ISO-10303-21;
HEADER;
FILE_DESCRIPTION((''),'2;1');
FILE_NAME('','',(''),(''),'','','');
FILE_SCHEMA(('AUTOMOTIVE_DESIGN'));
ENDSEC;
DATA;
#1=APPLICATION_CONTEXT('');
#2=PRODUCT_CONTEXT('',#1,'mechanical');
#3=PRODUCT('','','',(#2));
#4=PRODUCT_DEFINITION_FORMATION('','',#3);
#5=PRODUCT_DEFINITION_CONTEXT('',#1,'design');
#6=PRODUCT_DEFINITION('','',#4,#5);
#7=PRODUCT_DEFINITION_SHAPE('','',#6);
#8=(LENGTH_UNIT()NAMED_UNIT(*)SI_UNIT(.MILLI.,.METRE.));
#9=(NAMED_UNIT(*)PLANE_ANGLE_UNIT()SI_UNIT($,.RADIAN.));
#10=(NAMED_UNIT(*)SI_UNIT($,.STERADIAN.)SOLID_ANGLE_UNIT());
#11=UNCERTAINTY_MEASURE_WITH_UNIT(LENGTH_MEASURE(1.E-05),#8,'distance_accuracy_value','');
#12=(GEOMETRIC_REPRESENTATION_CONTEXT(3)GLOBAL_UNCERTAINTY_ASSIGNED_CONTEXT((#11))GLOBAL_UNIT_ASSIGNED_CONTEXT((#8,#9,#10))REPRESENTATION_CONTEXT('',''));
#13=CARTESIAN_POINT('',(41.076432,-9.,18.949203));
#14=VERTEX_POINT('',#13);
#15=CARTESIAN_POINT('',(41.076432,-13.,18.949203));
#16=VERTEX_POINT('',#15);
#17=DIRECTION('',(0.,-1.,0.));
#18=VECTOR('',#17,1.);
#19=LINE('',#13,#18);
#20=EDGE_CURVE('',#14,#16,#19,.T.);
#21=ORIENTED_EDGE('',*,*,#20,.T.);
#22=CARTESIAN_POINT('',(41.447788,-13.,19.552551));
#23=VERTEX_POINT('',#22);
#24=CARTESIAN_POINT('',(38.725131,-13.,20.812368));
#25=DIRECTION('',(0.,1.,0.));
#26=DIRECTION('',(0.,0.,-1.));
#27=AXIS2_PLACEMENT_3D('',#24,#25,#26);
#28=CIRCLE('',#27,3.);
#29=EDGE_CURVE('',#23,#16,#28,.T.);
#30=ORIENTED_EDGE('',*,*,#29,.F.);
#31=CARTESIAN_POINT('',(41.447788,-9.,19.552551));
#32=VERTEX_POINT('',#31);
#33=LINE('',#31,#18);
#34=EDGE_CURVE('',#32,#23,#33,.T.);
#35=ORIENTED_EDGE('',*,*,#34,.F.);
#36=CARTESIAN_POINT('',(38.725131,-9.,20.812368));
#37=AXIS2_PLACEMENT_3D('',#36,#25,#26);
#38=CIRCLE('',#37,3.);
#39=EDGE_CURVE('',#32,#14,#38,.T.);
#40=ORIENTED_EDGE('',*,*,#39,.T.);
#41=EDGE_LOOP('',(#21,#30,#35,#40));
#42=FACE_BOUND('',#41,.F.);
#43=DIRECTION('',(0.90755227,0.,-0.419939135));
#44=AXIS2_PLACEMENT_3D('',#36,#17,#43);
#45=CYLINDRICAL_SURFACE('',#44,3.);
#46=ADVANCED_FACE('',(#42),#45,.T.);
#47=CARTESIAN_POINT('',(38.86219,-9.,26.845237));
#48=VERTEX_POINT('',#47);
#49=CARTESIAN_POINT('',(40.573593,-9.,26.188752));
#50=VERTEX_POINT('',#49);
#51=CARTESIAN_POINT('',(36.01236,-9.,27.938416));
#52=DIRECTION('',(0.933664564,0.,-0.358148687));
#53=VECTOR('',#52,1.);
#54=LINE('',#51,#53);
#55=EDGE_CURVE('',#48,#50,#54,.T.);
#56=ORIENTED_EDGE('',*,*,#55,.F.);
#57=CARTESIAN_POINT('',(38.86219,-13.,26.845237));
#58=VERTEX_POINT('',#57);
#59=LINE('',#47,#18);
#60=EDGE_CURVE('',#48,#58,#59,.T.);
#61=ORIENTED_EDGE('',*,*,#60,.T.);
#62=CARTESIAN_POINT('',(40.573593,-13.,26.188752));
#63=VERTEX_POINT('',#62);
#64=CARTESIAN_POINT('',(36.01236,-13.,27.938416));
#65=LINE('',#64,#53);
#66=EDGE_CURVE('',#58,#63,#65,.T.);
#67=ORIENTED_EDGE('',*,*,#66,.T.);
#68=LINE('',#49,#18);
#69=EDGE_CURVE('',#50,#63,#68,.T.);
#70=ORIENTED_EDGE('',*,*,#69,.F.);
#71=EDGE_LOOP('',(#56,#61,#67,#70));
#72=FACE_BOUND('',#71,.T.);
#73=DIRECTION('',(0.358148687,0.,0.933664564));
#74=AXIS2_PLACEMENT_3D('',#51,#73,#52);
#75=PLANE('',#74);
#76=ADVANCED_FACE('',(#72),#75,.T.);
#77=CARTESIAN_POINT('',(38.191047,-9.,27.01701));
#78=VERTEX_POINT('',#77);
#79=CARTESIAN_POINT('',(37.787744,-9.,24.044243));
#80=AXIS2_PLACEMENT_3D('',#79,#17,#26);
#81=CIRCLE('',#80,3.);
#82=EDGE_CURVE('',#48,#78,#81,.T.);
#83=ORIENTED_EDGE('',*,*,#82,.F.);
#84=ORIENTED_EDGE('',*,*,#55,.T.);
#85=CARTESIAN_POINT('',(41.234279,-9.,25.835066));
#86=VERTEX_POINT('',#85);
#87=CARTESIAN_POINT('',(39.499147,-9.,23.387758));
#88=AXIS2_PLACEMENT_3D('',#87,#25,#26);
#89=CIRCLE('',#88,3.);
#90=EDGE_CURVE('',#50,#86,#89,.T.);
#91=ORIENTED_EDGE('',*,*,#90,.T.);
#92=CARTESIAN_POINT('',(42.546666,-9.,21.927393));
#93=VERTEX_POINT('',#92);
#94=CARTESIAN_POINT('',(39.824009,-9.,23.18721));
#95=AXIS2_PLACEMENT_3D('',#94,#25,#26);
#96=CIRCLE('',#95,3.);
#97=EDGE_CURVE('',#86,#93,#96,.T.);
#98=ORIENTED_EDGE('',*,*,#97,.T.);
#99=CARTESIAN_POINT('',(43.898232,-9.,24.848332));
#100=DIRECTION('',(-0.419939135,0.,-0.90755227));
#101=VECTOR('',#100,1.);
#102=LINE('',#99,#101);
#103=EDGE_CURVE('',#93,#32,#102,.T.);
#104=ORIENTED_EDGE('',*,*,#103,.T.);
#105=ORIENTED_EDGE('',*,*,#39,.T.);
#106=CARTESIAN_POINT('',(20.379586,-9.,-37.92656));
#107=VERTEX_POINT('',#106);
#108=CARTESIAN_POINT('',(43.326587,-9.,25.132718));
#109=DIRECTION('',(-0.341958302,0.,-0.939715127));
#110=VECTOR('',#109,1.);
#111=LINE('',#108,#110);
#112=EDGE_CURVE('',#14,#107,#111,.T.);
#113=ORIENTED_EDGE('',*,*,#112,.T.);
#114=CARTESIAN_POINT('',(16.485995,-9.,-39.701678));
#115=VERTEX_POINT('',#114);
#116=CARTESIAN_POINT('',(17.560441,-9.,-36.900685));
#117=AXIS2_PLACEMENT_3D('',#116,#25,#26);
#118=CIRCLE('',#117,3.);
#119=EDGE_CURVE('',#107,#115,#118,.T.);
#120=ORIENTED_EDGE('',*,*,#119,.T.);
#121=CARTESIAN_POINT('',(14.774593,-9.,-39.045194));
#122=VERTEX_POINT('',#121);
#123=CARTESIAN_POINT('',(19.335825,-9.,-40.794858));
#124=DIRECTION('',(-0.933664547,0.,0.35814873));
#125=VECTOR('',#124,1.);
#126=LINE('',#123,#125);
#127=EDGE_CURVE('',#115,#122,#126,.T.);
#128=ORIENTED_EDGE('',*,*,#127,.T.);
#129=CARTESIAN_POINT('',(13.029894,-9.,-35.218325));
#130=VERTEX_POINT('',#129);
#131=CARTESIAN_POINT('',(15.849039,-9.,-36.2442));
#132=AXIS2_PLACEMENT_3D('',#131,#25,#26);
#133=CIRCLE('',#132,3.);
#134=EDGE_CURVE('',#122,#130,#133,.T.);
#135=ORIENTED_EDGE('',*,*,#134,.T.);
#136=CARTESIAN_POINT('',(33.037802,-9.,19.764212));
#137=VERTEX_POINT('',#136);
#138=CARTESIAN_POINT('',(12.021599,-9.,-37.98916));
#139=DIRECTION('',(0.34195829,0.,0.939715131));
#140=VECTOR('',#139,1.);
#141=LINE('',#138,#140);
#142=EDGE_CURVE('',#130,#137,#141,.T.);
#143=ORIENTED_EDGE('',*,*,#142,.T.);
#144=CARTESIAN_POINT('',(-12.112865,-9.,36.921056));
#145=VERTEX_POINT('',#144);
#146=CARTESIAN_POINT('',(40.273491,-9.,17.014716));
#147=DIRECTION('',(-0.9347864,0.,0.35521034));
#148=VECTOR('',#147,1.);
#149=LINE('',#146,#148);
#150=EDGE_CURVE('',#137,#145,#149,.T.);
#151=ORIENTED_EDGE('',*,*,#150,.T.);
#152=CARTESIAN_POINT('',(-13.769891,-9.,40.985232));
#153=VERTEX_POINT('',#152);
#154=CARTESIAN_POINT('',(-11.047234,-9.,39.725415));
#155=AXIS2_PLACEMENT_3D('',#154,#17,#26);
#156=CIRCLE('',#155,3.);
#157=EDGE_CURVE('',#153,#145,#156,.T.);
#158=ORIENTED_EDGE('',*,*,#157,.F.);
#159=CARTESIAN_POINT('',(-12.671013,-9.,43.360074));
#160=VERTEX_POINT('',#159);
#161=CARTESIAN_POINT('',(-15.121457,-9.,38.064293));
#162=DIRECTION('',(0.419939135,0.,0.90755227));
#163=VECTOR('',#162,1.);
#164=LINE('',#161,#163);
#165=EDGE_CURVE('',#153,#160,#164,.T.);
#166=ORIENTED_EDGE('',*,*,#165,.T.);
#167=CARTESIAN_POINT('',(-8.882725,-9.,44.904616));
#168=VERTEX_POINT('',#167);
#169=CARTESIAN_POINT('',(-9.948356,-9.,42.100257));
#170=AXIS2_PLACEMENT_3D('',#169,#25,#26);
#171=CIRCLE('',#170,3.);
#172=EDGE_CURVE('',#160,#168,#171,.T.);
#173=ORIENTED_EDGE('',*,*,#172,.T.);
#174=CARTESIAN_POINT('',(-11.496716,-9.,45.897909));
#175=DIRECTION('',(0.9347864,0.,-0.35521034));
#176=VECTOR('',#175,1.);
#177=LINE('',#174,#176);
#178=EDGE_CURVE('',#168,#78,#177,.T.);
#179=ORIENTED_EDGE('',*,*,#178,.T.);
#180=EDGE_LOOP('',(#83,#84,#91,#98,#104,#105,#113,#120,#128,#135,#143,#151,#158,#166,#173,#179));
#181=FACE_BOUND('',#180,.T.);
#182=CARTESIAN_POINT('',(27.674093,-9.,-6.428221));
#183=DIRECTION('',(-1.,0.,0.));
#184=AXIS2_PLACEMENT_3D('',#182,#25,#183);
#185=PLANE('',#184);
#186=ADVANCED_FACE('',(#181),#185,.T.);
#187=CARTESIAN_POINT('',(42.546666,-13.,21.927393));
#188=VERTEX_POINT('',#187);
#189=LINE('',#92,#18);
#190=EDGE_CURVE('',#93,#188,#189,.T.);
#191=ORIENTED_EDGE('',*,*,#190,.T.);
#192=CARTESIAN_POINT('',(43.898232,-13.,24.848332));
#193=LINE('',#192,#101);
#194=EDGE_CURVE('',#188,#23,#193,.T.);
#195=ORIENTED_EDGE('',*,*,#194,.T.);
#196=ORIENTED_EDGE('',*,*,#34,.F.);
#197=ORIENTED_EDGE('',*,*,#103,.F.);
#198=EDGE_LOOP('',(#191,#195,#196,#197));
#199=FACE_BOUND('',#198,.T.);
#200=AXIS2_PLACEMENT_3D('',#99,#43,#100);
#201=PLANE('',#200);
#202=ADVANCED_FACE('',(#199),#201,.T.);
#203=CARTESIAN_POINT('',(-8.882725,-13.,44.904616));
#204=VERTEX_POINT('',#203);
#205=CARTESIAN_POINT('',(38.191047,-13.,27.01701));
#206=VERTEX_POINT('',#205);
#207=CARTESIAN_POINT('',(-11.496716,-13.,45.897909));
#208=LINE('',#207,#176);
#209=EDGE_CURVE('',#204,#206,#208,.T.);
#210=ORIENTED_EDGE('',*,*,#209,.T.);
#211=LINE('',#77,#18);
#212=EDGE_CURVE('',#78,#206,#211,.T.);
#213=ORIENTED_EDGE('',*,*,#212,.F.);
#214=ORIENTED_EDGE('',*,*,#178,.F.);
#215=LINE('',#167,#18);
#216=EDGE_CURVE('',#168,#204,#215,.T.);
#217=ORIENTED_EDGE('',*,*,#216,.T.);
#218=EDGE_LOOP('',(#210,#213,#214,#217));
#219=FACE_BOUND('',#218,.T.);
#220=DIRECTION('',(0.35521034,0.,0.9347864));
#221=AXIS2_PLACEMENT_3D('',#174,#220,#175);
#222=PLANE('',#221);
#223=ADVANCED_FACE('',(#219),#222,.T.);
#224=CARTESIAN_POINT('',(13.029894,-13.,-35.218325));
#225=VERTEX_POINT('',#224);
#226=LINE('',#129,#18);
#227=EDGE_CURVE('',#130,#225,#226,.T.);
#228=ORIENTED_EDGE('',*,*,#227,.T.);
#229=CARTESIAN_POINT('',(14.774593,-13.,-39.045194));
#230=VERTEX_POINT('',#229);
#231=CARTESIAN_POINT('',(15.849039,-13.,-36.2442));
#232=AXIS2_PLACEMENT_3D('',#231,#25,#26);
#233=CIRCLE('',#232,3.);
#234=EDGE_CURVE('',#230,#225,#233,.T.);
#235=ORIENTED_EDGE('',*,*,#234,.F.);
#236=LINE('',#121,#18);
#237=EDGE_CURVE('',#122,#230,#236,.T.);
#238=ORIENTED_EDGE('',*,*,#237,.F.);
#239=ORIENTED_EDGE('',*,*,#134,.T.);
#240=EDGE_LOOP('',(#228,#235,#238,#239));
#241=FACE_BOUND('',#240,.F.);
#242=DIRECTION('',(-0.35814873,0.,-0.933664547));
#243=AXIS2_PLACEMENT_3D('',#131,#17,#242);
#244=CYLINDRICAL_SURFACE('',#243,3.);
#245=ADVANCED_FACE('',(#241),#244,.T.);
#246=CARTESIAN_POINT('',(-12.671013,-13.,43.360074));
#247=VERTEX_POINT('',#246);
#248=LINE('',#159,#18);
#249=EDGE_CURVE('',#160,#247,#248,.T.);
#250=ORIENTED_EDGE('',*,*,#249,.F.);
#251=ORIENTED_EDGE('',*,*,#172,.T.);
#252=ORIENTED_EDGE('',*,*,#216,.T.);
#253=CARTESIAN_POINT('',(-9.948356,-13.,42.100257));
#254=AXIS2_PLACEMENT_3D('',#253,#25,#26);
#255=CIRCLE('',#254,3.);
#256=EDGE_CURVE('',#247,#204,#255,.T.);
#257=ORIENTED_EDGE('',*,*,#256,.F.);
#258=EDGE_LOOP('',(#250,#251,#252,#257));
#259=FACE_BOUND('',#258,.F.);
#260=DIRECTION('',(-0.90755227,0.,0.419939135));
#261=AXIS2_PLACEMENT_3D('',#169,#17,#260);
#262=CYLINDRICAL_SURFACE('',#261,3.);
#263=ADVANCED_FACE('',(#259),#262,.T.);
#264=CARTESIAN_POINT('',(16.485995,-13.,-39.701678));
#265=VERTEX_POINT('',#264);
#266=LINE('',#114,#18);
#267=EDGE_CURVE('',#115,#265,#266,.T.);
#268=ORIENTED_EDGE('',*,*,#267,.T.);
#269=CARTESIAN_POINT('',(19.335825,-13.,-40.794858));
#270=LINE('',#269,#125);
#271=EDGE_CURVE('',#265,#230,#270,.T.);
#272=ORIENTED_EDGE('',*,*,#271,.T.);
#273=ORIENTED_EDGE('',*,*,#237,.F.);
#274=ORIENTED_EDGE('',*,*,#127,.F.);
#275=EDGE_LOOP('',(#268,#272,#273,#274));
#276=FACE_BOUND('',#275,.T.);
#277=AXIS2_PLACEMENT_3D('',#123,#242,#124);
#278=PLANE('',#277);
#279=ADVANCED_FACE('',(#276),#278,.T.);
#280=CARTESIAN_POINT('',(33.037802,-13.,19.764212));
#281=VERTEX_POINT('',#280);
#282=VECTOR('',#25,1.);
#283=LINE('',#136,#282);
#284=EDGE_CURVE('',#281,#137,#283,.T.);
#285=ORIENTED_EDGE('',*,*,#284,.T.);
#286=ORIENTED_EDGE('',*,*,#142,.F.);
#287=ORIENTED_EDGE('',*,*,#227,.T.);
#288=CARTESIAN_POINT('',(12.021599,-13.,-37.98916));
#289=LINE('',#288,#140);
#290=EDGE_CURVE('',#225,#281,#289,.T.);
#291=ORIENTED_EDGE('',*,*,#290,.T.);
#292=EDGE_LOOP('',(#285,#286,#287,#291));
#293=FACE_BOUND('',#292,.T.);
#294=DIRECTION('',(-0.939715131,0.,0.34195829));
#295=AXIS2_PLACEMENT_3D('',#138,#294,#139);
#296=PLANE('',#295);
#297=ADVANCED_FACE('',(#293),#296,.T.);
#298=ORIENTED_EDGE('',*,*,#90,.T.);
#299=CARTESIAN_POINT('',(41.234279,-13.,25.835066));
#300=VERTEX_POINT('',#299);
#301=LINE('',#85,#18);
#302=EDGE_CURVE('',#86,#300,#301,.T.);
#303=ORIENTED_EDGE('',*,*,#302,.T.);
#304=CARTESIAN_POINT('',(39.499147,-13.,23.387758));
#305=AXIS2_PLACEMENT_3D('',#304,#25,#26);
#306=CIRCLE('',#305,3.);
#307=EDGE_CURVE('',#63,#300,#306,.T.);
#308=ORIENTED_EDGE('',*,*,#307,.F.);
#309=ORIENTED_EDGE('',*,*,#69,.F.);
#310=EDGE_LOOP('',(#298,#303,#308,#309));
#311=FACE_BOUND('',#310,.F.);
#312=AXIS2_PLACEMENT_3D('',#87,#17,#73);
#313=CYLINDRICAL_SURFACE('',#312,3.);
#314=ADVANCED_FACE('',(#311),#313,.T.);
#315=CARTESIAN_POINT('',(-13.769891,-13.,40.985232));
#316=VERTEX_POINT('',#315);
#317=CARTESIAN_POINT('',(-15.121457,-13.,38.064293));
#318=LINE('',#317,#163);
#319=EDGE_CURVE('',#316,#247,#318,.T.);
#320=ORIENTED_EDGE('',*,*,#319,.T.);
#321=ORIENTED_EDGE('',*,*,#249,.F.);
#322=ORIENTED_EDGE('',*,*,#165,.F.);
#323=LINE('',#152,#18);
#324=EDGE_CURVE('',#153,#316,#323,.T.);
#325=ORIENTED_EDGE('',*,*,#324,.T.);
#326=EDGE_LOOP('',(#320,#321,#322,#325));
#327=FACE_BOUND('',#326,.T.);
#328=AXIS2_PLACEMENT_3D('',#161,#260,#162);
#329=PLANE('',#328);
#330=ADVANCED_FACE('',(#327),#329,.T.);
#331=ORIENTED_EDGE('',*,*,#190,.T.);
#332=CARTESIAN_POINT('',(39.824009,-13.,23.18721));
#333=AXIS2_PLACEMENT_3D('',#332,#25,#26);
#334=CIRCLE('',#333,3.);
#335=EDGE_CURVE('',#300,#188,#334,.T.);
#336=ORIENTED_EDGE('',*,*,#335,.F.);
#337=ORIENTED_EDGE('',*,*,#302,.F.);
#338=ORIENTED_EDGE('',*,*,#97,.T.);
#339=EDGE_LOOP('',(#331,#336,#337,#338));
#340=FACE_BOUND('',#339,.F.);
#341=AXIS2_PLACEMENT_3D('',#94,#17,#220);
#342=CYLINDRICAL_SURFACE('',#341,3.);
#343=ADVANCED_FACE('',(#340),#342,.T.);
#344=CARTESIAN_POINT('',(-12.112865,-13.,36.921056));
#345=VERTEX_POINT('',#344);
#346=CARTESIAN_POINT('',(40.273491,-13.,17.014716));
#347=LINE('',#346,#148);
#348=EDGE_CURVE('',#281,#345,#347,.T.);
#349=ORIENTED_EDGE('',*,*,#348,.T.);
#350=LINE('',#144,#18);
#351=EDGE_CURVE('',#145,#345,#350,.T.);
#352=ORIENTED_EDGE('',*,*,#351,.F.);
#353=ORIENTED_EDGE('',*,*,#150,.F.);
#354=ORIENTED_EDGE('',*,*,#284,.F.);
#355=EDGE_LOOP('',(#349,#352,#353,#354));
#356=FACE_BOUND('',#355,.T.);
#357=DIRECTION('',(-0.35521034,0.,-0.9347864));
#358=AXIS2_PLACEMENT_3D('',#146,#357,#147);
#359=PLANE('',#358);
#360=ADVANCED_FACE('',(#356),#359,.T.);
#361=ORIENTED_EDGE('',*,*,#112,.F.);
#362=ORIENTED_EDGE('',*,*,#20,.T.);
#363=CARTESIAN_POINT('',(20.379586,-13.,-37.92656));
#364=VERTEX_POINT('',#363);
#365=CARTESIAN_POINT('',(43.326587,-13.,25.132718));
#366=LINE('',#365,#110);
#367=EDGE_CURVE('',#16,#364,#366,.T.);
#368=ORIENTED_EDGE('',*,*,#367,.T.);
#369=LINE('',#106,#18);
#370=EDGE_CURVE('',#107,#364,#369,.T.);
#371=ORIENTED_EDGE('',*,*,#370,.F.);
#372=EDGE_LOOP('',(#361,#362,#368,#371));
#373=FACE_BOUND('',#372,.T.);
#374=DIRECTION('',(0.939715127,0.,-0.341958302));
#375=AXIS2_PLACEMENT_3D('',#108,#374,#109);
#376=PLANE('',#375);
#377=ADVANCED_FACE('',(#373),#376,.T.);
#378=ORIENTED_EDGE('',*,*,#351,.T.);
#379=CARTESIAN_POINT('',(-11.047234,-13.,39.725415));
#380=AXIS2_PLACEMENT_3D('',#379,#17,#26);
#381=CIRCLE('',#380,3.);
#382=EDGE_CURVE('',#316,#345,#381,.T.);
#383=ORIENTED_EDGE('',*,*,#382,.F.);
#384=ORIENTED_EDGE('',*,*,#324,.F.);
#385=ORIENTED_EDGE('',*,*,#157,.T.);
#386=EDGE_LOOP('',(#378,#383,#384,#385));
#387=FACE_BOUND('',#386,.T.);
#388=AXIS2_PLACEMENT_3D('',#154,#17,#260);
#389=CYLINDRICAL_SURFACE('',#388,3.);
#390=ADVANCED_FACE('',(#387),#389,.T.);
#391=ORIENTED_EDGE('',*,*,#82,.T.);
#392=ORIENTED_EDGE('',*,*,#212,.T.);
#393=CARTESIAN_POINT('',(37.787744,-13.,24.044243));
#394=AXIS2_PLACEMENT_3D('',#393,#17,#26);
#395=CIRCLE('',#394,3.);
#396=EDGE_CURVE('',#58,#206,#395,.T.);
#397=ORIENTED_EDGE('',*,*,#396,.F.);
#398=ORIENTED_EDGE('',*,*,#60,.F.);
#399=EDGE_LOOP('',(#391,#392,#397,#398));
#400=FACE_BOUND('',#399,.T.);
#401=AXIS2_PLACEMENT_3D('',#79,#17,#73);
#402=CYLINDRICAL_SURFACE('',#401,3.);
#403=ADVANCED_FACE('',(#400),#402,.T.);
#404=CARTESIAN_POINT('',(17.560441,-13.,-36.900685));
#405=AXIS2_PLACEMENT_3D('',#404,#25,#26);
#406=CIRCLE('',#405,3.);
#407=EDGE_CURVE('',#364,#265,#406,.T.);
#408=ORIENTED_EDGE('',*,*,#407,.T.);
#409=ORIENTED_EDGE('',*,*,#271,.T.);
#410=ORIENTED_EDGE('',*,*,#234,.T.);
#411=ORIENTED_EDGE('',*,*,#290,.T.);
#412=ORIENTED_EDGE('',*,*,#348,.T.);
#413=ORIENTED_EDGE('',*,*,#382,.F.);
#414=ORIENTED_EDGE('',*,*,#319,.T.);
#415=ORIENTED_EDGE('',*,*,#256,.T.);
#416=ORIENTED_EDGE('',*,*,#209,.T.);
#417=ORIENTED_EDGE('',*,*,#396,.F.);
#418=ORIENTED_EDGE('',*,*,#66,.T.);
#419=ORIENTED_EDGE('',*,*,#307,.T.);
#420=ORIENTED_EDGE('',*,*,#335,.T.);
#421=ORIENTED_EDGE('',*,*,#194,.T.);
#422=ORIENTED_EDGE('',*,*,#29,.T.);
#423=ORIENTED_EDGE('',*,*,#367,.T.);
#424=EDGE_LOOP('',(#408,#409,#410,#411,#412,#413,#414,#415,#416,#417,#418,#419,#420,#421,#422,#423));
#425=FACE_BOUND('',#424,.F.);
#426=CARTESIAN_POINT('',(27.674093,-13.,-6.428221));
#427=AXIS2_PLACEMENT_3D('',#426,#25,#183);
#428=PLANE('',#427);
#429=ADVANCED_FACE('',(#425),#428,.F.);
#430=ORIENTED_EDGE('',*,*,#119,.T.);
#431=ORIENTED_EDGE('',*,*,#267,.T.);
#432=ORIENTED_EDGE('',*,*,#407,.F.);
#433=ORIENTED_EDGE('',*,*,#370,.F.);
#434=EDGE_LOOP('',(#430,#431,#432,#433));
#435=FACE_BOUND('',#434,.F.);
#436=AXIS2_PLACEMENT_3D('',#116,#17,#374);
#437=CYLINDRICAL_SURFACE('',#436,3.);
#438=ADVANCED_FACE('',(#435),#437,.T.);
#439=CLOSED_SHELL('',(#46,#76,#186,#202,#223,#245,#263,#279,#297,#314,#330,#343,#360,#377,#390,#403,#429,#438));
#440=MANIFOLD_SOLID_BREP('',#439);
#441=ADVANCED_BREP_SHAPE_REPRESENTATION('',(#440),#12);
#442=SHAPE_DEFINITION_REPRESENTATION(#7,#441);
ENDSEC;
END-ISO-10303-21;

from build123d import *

# Parameters (mm, degrees)
PAD005_DEPTH = 4
FILLET004_R  = 3
PAD006_DEPTH = 4
FILLET_R     = 3


with BuildPart() as fillet004:
    # Sketch010 → Pad005 (new body)
    with BuildSketch(Plane.XZ.offset(9)):
        Polygon((36.01236, 27.938416), (43.326587, 25.132718), (19.335825, -40.794858), (12.021599, -37.98916), align=None)
    extrude(amount=PAD005_DEPTH)

    # Fillet004
    fillet004_edges = [fillet004.edges().sort_by_distance(p)[0] for p in [
        (36.01236, -11, 27.938416),
        (43.326587, -11, 25.132718),
        (19.335825, -11, -40.794858),
        (12.021599, -11, -37.98916),
    ]]
    fillet(fillet004_edges, radius=FILLET004_R)


with BuildPart() as fusion009:
    # Sketch009 → Pad006 (new body)
    with BuildSketch(Plane.XZ.offset(9)):
        Polygon((-15.121457, 38.064293), (-11.496716, 45.897909), (43.898232, 24.848332), (40.273491, 17.014716), align=None)
    extrude(amount=PAD006_DEPTH)

    # Fillet
    fillet_edges = [fusion009.edges().sort_by_distance(p)[0] for p in [
        (-15.121457, -11, 38.064293),
        (-11.496716, -11, 45.897909),
        (43.898232, -11, 24.848332),
        (40.273491, -11, 17.014716),
    ]]
    fillet(fillet_edges, radius=FILLET_R)

    # Fusion009: union Fillet004
    add(fillet004.part)


solid = fusion009.part
